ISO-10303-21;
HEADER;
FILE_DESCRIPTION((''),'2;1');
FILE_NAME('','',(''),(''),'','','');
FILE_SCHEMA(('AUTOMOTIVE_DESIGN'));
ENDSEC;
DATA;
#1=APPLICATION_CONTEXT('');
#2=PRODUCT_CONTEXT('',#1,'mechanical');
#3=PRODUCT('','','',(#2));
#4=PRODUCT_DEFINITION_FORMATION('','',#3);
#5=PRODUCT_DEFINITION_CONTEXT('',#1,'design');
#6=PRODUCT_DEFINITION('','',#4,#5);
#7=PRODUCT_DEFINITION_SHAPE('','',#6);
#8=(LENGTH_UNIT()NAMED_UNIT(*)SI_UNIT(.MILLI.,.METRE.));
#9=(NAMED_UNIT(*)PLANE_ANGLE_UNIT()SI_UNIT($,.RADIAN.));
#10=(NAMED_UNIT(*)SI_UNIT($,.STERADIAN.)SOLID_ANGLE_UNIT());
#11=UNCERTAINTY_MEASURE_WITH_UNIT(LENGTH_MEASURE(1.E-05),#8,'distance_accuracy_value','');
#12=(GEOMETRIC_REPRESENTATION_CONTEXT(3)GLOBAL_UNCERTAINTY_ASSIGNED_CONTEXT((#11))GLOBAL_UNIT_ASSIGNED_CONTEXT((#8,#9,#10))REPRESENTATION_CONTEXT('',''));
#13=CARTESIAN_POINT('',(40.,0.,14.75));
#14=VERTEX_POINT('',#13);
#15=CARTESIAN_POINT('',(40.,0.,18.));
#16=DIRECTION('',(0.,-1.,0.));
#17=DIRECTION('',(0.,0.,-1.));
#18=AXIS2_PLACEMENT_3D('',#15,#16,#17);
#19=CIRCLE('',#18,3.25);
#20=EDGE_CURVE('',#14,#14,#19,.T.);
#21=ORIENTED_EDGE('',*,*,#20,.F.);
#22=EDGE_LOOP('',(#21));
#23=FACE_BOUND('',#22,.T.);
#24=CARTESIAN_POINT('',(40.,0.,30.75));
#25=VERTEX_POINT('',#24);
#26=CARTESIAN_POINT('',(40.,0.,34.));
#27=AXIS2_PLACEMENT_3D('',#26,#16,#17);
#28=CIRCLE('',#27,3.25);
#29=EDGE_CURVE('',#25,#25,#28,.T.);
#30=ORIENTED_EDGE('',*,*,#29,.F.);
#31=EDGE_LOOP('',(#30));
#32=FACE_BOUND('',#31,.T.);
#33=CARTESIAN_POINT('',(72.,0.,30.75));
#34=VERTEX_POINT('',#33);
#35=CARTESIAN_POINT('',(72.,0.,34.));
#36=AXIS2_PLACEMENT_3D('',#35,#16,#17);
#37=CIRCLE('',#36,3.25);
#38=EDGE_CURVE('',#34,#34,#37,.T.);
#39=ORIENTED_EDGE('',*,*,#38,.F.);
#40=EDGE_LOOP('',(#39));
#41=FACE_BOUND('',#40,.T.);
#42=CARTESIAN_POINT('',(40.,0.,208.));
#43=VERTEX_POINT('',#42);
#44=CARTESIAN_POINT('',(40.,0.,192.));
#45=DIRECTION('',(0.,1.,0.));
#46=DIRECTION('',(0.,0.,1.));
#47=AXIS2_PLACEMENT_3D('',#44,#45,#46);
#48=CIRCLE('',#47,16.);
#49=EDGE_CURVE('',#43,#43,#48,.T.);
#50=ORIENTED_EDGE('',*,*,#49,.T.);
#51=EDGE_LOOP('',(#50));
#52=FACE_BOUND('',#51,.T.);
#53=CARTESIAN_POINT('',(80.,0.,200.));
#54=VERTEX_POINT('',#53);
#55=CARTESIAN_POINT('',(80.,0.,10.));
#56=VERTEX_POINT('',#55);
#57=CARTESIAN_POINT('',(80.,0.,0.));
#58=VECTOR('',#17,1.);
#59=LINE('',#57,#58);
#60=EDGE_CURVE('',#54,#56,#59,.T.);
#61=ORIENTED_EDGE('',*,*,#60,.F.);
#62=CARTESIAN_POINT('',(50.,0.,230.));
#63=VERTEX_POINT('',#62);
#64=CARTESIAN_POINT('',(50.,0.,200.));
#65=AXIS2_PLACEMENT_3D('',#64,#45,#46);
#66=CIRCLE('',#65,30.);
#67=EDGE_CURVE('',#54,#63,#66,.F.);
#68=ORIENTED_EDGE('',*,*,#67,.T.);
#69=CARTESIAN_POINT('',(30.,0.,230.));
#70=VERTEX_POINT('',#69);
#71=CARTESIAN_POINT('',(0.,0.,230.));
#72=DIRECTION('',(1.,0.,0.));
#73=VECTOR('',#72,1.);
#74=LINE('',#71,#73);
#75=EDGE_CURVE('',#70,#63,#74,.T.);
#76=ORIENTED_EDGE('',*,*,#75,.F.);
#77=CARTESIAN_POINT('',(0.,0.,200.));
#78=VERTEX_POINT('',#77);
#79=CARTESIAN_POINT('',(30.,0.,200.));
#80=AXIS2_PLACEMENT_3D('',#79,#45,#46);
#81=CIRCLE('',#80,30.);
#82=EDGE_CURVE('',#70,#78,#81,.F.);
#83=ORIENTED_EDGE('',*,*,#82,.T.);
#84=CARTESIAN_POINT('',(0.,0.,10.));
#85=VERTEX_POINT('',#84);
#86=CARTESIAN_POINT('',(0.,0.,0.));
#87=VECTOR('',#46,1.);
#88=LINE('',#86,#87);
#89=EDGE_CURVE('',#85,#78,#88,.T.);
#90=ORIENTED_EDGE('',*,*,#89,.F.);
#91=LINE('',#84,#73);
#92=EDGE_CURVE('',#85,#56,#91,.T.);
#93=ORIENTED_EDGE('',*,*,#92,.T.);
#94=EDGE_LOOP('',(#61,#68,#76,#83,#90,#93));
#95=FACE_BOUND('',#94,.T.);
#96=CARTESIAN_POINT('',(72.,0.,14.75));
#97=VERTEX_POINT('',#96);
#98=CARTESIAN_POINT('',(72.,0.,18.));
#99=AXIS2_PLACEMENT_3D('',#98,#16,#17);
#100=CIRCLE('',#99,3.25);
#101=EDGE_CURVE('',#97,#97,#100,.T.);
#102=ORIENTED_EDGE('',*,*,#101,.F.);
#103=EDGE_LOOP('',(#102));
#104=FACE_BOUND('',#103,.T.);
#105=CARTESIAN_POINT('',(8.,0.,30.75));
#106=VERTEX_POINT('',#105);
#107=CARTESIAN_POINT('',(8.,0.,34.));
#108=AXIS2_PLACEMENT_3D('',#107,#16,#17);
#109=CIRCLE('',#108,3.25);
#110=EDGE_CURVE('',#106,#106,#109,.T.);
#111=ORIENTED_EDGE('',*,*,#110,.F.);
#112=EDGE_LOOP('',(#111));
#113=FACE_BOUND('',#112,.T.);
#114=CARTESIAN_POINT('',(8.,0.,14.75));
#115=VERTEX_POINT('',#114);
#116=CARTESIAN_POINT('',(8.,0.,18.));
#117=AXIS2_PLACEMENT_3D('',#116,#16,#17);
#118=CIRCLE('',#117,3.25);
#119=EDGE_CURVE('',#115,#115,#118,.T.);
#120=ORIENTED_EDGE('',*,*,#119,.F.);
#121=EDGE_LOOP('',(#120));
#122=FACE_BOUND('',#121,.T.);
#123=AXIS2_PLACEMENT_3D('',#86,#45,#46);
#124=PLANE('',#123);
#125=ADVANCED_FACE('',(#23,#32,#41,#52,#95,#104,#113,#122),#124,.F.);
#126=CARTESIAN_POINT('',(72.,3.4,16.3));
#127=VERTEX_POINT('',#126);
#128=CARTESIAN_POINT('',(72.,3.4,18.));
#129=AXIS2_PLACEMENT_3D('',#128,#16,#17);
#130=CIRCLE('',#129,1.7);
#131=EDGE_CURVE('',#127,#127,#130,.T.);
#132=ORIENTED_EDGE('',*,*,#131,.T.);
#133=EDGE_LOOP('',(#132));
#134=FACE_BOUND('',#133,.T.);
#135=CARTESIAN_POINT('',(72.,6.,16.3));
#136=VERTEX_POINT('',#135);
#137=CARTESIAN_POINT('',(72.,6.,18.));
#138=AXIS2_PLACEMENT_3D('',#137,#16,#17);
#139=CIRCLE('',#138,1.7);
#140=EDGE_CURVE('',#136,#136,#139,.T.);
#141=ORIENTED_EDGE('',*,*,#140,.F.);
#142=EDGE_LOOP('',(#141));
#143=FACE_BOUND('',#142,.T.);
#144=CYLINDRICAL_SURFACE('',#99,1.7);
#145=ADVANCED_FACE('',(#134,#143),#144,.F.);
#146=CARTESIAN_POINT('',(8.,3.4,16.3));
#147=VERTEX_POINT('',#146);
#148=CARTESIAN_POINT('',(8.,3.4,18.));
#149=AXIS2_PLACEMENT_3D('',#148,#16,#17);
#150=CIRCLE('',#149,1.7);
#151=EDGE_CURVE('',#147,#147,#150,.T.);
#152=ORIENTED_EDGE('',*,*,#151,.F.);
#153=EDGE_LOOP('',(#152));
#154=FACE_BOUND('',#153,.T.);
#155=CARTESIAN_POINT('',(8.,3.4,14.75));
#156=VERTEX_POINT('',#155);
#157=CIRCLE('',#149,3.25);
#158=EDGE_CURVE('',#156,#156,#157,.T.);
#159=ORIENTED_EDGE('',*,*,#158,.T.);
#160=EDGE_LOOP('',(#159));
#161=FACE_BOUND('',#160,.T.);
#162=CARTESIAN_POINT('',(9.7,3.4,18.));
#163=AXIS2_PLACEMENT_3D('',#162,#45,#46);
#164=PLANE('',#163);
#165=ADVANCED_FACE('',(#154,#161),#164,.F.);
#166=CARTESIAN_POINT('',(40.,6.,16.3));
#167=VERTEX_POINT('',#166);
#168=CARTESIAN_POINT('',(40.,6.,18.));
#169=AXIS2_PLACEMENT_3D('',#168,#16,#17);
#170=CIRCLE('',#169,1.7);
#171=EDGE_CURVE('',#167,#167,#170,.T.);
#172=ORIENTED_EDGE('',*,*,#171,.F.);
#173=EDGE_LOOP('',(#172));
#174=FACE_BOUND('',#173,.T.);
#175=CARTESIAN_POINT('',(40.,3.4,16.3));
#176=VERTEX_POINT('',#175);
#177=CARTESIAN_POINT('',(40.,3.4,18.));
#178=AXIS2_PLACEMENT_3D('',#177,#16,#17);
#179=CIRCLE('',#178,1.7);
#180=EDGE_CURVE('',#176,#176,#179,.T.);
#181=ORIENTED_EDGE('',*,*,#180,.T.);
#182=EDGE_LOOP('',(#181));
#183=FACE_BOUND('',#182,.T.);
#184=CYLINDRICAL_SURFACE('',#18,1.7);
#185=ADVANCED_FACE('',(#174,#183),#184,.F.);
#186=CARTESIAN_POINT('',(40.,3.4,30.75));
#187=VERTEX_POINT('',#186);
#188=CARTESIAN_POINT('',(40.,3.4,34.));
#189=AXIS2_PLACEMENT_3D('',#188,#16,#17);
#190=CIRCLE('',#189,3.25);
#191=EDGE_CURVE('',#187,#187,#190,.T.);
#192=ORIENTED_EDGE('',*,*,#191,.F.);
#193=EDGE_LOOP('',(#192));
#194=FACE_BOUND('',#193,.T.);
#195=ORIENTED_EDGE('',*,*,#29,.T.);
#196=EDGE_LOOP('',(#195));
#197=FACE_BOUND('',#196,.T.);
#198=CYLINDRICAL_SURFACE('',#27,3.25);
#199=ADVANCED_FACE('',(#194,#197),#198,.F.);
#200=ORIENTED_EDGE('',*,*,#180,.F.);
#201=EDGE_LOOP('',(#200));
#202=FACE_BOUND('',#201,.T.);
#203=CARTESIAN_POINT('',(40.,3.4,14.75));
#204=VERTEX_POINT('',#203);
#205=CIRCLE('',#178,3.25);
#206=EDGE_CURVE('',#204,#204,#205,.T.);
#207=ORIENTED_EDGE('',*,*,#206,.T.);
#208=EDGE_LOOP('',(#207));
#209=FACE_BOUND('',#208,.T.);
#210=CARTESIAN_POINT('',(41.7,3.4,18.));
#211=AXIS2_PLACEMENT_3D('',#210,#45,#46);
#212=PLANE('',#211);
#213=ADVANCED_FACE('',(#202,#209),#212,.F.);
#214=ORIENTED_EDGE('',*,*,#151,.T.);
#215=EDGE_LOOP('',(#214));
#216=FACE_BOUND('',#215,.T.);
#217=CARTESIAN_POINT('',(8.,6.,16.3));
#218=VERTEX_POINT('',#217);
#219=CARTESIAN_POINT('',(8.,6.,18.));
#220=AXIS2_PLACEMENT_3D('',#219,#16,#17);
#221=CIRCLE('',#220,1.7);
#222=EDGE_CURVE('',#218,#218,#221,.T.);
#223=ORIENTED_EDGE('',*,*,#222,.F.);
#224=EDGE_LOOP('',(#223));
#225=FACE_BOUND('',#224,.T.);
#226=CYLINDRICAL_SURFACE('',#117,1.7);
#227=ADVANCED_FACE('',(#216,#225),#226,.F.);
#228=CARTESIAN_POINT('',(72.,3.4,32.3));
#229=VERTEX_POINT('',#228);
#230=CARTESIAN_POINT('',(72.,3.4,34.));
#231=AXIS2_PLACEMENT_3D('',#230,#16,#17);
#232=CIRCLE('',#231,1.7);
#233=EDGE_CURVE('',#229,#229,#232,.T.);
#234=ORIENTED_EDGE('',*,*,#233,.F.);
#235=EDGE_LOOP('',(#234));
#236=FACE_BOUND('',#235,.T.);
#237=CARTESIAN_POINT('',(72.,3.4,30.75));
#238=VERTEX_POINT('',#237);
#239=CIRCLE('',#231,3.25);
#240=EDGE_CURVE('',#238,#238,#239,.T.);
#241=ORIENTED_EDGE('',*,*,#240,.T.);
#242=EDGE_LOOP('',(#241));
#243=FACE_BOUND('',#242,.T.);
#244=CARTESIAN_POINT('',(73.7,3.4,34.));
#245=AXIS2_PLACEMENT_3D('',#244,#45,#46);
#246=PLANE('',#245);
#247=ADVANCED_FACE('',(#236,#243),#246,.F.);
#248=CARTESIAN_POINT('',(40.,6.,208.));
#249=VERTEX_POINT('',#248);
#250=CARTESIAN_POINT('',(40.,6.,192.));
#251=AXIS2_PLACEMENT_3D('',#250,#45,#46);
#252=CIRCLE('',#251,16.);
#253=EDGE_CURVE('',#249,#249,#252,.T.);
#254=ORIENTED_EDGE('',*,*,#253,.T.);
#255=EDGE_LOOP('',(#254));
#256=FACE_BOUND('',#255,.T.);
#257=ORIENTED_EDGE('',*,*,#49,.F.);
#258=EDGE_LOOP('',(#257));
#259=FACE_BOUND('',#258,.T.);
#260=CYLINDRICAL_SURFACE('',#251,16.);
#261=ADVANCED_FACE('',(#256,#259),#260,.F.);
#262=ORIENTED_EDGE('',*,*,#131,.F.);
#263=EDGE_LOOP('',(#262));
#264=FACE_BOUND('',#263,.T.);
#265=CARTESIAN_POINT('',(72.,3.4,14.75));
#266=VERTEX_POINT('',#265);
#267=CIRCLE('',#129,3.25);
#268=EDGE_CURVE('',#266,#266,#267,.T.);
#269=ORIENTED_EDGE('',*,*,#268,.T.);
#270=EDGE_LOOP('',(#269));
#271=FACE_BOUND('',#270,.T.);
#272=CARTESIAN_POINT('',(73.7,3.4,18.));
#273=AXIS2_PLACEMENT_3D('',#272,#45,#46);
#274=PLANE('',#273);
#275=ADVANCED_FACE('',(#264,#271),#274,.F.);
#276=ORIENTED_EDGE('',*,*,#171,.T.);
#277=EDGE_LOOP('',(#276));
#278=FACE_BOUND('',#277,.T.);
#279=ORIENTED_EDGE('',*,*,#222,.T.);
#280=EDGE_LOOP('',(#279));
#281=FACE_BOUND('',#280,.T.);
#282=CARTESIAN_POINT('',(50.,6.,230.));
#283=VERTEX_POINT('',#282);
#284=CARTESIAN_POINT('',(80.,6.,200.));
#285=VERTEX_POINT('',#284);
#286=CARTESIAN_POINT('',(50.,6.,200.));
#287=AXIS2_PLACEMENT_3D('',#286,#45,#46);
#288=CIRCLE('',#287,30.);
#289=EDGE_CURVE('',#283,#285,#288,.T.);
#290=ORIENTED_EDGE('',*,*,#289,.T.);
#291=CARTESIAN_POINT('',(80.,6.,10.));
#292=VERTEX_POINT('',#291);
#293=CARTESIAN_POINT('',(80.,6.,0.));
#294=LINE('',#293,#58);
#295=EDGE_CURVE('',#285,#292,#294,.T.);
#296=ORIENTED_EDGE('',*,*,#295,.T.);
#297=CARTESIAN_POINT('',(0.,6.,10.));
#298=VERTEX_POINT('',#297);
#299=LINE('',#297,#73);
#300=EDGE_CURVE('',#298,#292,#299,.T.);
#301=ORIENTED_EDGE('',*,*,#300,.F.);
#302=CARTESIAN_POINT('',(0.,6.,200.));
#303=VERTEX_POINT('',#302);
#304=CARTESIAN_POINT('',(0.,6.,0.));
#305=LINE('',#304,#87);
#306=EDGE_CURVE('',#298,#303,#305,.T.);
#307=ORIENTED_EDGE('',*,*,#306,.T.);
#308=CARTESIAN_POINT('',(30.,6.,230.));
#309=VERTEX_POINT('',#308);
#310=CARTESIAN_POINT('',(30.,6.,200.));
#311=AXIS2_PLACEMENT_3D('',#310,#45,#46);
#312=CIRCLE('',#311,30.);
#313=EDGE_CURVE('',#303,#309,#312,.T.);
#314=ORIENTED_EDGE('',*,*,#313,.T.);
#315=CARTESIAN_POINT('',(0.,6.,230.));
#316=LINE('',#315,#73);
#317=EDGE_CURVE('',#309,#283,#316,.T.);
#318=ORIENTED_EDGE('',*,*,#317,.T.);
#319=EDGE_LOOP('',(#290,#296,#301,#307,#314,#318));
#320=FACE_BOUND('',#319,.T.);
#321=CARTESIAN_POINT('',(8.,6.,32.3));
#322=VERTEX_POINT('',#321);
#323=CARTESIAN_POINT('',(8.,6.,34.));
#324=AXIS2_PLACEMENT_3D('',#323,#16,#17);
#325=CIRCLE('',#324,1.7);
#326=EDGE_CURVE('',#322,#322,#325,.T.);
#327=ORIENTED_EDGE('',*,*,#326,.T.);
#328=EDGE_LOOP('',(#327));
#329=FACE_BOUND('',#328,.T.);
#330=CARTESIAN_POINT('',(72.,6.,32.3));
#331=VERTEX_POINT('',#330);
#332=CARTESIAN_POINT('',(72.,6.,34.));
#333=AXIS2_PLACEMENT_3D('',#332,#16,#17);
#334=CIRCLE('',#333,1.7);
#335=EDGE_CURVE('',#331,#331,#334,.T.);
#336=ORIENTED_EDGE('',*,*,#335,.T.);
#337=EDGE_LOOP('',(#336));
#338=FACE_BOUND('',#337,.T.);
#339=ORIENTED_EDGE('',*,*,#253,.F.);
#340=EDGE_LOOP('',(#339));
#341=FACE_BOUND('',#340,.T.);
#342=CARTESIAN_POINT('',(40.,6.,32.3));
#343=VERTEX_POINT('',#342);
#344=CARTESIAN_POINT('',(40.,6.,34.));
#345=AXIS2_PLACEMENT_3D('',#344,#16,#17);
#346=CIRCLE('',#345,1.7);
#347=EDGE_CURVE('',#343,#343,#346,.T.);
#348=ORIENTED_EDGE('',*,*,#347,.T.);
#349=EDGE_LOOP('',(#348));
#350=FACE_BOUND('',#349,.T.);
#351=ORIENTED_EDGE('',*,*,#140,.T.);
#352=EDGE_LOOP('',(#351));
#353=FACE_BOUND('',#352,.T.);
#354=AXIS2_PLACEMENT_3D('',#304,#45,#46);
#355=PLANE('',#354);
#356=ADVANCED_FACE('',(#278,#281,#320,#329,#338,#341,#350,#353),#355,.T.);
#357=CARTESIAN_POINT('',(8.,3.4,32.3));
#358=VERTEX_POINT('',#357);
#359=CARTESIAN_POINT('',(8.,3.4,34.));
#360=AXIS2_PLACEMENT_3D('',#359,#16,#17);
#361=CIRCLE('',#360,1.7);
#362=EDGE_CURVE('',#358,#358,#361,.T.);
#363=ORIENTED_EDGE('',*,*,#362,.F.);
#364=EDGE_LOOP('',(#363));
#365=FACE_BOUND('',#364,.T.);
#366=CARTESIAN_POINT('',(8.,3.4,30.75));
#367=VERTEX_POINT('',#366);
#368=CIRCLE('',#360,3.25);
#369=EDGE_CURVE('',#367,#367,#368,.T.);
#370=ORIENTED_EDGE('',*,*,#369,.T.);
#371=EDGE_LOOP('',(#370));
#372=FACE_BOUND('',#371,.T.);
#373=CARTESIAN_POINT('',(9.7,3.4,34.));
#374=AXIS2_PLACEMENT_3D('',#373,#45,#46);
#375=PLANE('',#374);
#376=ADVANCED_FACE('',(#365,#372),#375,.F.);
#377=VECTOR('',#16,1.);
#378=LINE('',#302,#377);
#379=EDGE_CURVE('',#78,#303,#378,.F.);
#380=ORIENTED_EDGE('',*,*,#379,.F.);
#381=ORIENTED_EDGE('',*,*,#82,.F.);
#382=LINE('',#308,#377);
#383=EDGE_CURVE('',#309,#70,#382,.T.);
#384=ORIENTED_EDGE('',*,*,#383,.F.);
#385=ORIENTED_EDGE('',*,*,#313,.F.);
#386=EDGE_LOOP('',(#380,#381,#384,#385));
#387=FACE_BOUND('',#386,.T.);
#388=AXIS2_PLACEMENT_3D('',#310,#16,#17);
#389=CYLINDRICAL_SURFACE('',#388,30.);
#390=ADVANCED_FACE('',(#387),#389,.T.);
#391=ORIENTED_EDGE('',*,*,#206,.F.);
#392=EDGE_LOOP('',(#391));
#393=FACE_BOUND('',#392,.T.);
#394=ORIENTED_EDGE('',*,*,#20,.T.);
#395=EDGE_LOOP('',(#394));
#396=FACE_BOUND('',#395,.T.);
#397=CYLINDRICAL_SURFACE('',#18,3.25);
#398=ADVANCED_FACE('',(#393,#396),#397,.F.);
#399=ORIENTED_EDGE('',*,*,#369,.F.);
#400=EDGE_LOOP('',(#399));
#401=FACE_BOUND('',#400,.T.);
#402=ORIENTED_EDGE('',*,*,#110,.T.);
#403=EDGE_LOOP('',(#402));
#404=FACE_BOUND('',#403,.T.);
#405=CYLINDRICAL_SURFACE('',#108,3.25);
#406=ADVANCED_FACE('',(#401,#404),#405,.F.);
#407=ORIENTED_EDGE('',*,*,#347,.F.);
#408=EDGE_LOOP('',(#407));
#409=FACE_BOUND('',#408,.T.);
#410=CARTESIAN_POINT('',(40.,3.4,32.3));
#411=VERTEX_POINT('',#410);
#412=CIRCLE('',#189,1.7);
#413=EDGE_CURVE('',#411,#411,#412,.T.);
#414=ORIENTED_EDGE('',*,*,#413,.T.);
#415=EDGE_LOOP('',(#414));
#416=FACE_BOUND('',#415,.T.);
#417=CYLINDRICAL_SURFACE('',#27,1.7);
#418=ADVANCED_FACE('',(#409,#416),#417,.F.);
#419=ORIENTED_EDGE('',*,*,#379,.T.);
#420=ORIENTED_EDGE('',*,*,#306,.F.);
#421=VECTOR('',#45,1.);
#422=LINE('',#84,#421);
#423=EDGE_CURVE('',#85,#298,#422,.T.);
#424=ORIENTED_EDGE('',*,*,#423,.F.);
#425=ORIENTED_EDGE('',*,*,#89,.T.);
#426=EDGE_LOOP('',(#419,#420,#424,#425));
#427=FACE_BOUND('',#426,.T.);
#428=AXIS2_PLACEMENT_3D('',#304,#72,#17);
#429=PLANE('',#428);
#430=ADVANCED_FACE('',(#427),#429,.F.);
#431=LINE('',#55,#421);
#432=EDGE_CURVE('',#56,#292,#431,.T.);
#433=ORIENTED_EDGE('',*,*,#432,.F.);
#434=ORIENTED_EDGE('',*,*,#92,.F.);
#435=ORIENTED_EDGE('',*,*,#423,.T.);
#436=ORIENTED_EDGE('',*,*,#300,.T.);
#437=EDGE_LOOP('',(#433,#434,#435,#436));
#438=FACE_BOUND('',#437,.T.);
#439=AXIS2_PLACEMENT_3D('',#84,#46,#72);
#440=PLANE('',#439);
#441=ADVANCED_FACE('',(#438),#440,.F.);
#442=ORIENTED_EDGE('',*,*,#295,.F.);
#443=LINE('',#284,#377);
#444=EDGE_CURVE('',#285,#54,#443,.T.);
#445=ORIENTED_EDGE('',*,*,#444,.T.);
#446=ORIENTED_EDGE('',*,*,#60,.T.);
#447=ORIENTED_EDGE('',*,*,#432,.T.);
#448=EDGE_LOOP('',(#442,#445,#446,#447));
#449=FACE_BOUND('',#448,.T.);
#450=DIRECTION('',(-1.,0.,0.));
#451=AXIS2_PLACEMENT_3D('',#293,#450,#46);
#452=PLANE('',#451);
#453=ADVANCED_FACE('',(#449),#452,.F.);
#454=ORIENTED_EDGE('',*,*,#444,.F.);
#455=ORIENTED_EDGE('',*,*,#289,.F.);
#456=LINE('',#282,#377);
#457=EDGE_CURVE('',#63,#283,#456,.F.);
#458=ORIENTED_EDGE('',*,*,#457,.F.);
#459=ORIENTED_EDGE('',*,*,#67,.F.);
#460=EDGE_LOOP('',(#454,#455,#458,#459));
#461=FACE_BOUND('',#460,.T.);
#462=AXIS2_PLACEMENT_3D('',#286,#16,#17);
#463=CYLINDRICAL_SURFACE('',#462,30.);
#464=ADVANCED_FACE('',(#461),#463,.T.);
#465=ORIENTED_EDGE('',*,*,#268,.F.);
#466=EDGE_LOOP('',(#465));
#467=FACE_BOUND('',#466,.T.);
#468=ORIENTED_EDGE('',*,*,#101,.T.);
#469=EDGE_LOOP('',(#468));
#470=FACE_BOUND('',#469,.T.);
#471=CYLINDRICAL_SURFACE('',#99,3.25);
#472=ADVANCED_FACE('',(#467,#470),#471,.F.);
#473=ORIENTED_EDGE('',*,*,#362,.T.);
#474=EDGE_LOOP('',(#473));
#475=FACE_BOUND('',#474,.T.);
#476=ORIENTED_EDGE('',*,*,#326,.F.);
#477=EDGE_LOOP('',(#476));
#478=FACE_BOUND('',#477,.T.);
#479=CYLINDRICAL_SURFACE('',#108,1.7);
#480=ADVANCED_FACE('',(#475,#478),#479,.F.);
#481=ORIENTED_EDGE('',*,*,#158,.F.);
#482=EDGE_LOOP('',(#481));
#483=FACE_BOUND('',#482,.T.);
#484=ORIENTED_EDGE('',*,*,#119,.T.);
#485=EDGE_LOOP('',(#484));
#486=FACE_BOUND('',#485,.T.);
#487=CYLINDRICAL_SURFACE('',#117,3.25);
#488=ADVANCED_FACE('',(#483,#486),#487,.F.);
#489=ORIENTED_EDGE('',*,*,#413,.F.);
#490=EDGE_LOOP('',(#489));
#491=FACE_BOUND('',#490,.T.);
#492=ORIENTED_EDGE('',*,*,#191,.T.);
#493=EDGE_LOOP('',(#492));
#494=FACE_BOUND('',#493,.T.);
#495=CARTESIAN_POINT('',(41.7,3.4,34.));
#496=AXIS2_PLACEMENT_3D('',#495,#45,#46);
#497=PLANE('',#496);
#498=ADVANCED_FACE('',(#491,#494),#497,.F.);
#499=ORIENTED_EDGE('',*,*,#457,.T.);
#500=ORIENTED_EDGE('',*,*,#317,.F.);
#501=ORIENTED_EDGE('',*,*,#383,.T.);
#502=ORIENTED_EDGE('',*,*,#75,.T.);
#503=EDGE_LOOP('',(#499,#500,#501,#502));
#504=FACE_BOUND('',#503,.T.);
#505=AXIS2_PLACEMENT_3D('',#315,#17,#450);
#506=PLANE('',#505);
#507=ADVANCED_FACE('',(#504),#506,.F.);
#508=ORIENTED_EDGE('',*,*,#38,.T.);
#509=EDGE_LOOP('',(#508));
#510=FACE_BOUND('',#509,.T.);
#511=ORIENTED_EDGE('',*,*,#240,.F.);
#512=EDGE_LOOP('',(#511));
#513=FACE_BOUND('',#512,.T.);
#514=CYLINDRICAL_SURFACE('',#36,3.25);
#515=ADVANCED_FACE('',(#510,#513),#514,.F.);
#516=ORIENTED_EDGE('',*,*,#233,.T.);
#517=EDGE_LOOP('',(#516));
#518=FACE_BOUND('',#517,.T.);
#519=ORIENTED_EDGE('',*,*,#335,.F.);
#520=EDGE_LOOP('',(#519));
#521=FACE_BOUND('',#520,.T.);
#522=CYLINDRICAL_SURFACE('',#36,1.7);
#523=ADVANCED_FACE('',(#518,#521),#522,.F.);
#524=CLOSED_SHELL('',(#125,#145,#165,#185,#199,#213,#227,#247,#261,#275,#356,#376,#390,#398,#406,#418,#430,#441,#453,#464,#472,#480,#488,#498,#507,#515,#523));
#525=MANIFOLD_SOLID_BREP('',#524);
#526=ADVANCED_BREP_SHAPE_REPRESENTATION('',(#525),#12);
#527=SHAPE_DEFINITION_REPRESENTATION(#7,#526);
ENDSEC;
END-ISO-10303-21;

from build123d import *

# Parameters (mm, degrees)
SKETCH1_W                                           = 80
SKETCH1_H                                           = 230
BOSS_EXTRUDE1_DEPTH                                 = 6
F_32_0_32_DIAMETER_HOLE1_D                          = 32
FILLET1_R                                           = 30
CBORE_FOR_M3_HEX_SOCKET_HEAD_CAP_SCREW1_D           = 3.4
CBORE_FOR_M3_HEX_SOCKET_HEAD_CAP_SCREW1_CBORE_D     = 6.5
CBORE_FOR_M3_HEX_SOCKET_HEAD_CAP_SCREW1_CBORE_DEPTH = 3.4
SKETCH10_W                                          = 80
SKETCH10_H                                          = 10
CUT_EXTRUDE1_DEPTH                                  = 244.589819163


with BuildPart() as part:
    # Sketch1 → Boss-Extrude1 (new body)
    with BuildSketch(Plane(origin=(0, 0, 0), x_dir=(1, 0, 0), z_dir=(0, 1, 0))):
        with Locations((40, -115)):
            Rectangle(SKETCH1_W, SKETCH1_H)
    extrude(amount=BOSS_EXTRUDE1_DEPTH)

    # Ø32.0 (32) Diameter Hole1 (through all)
    with Locations(Plane(origin=(0, 6, 0), x_dir=(1, 0, 0), z_dir=(0, 1, 0))):
        with Locations((40, -192)):
            Hole(F_32_0_32_DIAMETER_HOLE1_D / 2)

    # Fillet1
    fillet1_edges = [part.edges().sort_by_distance(p)[0] for p in [
        (80, 3, 230),
        (0, 3, 230),
    ]]
    fillet(fillet1_edges, radius=FILLET1_R)

    # CBORE for M3 Hex Socket Head Cap Screw1 (through all)
    with Locations(Plane.XZ):
        with Locations((8, 18), (40, 18), (72, 18), (40, 34), (72, 34), (8, 34)):
            CounterBoreHole(CBORE_FOR_M3_HEX_SOCKET_HEAD_CAP_SCREW1_D / 2, CBORE_FOR_M3_HEX_SOCKET_HEAD_CAP_SCREW1_CBORE_D / 2, CBORE_FOR_M3_HEX_SOCKET_HEAD_CAP_SCREW1_CBORE_DEPTH)

    # Sketch10 → Cut-Extrude1 (cut, through all)
    with BuildSketch(Plane(origin=(0, 6, 0), x_dir=(1, 0, 0), z_dir=(0, 1, 0))):
        with Locations((40, -5)):
            Rectangle(SKETCH10_W, SKETCH10_H)
    extrude(amount=-CUT_EXTRUDE1_DEPTH, mode=Mode.SUBTRACT)


solid = part.part
